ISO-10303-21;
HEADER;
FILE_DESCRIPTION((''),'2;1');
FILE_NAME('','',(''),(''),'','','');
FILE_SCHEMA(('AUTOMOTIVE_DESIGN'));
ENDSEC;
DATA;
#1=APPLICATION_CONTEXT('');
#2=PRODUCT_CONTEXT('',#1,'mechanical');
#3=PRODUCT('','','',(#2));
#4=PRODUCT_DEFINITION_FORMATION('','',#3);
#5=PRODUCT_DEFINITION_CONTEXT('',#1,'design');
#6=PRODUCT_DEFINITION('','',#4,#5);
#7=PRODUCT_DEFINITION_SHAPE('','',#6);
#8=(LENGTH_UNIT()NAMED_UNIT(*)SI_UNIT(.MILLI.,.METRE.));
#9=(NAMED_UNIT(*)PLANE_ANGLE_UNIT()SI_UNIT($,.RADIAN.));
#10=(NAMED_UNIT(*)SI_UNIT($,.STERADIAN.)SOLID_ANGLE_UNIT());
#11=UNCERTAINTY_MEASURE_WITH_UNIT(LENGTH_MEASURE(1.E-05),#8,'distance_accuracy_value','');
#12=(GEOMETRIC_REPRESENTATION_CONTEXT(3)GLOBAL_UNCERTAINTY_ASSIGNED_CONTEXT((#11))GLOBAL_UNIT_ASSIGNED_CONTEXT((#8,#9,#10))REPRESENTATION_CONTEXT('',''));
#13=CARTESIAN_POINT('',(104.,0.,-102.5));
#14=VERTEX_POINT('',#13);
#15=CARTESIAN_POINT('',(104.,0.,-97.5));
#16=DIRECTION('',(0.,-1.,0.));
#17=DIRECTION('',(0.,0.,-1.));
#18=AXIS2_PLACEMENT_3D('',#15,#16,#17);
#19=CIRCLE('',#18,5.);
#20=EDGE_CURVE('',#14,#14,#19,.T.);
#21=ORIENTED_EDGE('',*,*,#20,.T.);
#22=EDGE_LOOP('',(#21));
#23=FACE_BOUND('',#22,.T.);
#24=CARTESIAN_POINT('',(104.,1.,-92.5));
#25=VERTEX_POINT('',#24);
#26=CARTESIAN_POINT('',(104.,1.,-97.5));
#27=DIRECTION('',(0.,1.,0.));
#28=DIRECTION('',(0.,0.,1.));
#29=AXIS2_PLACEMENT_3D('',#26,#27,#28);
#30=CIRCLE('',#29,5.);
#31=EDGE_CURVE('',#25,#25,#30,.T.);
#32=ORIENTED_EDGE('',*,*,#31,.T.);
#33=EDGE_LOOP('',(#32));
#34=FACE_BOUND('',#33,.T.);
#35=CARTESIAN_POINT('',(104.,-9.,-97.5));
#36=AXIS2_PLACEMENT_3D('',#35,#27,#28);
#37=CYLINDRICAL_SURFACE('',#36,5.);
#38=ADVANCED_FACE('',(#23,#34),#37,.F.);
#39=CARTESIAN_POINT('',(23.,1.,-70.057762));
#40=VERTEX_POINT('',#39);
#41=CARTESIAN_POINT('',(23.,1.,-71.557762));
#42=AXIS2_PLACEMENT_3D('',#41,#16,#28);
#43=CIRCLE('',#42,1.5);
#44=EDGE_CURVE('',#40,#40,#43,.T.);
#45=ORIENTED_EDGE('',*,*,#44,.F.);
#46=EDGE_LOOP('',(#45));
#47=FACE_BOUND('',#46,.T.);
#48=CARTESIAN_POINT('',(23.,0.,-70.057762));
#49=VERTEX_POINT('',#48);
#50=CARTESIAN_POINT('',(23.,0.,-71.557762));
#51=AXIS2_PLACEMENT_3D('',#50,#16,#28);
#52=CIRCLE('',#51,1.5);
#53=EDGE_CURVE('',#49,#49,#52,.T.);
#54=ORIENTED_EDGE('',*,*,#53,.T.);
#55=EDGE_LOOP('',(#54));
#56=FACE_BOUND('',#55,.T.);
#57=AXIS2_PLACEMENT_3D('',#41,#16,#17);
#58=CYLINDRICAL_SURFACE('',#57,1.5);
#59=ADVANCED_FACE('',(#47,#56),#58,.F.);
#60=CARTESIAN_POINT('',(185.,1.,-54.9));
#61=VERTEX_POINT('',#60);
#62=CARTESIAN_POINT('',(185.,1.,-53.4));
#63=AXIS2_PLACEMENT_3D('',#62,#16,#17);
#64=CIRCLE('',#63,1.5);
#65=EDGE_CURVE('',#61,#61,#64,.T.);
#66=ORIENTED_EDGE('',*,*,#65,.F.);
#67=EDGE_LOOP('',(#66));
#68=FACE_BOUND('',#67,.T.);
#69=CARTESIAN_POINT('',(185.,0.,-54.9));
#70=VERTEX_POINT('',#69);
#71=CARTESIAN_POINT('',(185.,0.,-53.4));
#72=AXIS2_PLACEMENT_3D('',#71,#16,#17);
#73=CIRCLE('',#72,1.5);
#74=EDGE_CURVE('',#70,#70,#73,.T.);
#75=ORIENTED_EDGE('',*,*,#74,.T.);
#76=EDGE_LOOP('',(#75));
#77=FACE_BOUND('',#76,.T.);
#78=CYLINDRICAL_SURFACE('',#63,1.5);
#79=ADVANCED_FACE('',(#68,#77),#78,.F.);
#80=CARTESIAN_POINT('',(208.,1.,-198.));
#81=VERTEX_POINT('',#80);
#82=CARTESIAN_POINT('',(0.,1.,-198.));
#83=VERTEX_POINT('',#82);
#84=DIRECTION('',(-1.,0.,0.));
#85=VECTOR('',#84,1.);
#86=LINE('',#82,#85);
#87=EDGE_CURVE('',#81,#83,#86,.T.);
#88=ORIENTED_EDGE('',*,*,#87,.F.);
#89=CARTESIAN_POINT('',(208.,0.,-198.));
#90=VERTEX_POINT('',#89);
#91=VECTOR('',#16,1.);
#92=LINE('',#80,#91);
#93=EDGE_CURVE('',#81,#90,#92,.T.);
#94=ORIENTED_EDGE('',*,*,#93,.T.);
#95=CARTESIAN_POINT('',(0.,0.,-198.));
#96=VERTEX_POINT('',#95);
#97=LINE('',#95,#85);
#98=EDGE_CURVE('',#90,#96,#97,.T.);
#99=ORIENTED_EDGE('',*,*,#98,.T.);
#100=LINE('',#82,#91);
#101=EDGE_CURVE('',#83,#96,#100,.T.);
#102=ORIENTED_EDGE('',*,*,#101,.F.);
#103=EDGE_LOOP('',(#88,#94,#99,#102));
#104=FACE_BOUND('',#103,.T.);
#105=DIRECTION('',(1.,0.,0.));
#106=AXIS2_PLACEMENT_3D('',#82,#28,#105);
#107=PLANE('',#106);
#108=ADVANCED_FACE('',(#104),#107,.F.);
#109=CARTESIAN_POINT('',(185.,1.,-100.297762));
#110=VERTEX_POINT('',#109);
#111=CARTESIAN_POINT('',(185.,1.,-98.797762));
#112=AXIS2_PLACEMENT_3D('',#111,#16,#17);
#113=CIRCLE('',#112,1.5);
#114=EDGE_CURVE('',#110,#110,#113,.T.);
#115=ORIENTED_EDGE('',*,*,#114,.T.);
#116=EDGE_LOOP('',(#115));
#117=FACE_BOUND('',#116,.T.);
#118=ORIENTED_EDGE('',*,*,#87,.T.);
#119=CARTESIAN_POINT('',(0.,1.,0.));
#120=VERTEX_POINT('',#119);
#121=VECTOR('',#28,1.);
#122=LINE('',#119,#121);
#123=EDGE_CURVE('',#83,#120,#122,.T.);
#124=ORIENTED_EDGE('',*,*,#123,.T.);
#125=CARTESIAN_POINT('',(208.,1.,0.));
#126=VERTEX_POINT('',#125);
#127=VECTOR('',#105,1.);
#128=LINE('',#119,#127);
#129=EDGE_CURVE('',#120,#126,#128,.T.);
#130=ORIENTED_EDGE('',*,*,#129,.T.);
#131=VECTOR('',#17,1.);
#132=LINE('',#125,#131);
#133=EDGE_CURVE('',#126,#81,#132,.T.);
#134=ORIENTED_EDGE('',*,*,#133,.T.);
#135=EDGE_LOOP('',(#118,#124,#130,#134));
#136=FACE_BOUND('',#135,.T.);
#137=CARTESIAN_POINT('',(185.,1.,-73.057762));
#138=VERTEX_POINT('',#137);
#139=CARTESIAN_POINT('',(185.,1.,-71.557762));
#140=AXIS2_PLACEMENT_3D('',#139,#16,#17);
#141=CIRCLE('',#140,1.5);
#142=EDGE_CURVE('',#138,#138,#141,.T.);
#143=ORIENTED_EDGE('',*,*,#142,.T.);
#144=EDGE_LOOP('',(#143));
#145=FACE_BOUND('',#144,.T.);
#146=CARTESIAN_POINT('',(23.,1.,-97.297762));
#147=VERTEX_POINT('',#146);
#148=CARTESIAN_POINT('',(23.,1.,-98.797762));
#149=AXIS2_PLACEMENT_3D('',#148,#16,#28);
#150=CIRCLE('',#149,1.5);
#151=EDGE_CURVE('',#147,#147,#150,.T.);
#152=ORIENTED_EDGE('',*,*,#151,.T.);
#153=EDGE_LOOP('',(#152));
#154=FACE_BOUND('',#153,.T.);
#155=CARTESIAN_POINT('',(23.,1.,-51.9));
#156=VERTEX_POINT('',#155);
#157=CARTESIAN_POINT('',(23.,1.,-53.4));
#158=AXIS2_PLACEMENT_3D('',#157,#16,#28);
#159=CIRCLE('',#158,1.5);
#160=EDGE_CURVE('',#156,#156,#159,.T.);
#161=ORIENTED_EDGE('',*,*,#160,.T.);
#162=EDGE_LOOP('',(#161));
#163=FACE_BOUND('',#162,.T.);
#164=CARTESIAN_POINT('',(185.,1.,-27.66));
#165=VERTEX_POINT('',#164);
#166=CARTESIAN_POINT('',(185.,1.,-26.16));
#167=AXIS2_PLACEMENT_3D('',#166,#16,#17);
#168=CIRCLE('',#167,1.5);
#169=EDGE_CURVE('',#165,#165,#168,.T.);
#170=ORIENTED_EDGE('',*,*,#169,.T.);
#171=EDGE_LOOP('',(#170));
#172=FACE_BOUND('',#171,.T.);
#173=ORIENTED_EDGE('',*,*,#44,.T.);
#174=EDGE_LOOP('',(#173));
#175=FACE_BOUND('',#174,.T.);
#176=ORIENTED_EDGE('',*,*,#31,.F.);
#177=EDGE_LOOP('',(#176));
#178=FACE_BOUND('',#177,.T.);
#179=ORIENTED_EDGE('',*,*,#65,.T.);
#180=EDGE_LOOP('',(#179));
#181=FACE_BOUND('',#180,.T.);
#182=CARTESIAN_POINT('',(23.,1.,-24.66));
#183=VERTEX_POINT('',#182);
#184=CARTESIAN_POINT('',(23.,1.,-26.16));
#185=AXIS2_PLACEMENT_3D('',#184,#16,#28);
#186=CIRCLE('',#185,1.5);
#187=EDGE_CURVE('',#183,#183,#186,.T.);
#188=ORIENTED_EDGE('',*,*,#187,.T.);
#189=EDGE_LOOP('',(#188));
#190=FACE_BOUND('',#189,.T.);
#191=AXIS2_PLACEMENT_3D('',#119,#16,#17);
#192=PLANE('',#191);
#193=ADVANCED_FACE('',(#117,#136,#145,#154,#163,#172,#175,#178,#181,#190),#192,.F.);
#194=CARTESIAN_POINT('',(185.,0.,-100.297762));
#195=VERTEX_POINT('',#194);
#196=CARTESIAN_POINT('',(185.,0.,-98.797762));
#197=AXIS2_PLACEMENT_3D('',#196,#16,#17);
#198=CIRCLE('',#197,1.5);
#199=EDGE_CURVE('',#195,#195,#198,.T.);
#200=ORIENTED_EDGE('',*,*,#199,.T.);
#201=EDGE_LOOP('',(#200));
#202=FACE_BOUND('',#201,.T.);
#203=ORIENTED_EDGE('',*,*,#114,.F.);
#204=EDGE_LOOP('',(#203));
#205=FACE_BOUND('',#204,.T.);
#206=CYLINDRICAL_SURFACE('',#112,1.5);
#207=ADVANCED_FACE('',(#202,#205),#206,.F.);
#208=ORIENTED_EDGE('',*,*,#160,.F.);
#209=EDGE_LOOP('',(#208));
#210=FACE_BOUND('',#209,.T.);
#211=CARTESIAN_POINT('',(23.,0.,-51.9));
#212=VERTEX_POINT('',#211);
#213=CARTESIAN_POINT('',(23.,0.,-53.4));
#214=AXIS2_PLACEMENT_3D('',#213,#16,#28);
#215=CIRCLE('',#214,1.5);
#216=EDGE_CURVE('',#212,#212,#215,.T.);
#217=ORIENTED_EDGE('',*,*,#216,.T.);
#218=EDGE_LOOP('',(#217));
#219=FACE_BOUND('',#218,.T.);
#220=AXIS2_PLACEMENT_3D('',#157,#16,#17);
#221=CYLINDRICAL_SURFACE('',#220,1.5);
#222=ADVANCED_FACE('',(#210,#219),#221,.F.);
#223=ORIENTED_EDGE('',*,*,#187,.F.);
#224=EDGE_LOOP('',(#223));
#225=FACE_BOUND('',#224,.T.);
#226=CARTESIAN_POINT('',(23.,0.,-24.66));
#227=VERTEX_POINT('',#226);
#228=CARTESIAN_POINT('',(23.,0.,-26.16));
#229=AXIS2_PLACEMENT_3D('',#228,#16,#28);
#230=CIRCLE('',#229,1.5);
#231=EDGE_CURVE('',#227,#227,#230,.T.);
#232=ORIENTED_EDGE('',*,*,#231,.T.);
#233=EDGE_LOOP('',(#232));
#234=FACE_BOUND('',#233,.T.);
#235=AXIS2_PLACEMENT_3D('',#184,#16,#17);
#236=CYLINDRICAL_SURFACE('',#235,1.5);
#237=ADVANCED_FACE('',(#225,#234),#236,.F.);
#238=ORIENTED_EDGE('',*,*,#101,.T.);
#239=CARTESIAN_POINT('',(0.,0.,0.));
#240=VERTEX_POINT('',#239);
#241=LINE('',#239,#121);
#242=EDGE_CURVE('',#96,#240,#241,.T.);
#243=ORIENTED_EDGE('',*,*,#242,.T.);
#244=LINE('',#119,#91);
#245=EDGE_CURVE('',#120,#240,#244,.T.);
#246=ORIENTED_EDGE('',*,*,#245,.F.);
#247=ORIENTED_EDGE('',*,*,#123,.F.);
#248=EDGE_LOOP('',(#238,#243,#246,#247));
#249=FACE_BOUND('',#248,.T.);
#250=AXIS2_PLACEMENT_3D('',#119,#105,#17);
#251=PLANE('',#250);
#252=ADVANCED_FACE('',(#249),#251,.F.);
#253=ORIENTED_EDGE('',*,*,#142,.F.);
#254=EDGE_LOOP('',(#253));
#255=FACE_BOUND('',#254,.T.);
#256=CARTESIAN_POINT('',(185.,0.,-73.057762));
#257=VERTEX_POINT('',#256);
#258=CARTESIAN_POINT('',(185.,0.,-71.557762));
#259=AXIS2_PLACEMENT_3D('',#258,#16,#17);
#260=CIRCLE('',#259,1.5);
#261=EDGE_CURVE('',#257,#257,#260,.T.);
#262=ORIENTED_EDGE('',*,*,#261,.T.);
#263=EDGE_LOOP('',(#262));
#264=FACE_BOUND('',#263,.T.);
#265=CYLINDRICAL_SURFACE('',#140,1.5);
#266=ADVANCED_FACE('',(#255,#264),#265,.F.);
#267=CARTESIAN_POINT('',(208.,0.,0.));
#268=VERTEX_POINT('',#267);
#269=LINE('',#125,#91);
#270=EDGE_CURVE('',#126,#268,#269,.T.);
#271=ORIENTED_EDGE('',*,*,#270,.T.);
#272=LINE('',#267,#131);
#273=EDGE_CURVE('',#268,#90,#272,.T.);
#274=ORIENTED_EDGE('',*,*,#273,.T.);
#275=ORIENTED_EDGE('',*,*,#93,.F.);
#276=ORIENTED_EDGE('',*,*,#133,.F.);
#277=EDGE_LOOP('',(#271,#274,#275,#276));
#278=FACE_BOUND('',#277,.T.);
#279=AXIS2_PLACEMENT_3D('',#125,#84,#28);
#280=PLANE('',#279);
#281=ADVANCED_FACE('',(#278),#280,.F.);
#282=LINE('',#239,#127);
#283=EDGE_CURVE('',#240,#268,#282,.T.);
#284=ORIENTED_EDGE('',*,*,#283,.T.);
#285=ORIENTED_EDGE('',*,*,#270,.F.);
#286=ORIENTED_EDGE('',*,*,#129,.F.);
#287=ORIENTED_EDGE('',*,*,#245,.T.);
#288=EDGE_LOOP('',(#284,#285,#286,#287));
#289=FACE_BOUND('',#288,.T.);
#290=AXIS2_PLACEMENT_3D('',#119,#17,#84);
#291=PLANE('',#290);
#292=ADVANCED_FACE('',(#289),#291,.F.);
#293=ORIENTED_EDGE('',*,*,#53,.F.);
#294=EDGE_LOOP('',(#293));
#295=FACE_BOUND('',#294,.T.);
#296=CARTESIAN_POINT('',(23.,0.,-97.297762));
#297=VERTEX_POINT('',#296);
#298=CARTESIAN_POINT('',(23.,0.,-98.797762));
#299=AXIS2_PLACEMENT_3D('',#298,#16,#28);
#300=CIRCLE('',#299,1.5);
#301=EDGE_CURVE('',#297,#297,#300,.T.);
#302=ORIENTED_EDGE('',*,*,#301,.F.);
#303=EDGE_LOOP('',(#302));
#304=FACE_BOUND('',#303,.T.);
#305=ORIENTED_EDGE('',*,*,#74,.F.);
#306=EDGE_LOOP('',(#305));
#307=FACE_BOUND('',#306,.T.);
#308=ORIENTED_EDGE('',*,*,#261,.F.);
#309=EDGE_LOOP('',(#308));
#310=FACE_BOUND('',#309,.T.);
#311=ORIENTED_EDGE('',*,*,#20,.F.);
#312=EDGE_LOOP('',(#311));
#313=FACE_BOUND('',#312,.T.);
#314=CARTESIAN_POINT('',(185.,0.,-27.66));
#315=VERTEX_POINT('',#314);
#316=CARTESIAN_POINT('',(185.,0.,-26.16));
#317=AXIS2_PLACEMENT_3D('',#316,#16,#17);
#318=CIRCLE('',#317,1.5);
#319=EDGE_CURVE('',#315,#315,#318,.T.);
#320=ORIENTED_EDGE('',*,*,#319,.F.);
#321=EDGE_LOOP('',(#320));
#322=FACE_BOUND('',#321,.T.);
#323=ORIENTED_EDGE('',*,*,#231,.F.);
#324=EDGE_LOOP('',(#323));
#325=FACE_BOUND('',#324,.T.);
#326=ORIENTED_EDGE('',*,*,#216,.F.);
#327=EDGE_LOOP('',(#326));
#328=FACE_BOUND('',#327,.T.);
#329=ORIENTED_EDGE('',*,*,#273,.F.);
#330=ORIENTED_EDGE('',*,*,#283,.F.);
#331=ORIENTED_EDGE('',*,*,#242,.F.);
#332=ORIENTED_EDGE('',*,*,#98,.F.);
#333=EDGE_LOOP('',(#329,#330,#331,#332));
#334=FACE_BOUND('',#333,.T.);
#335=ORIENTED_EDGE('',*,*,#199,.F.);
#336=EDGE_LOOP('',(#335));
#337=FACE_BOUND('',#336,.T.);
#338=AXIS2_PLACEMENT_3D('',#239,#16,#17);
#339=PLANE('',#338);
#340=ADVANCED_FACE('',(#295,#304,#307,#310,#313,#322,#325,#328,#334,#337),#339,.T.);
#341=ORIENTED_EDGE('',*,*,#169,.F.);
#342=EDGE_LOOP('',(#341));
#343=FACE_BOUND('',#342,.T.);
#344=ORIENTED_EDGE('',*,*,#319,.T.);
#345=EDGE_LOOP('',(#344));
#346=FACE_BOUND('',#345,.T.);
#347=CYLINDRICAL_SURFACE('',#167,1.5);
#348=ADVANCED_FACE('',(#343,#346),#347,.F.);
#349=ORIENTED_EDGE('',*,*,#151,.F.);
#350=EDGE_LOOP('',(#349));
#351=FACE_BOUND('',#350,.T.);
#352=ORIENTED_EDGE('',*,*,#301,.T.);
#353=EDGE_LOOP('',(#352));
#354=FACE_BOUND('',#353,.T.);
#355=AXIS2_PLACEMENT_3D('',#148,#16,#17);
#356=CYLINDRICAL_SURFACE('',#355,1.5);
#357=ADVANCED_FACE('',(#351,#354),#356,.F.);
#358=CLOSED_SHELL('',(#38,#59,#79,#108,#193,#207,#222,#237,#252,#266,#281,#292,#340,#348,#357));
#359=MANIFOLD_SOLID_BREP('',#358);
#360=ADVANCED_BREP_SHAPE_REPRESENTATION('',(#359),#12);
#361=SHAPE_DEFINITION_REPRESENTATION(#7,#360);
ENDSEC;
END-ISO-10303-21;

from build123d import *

# Parameters (mm, degrees)
SKETCH1_W           = 208
SKETCH1_H           = 198
BOSS_EXTRUDE1_DEPTH = 1
INPUT_FOR_SPEAKER_R = 5
CUT_EXTRUDE1_DEPTH  = 10
SKETCH4_R           = 1.5
CUT_EXTRUDE2_DEPTH  = 1


with BuildPart() as part:
    # Sketch1 → Boss-Extrude1 (new body)
    with BuildSketch(Plane(origin=(0, 0, 0), x_dir=(1, 0, 0), z_dir=(0, 1, 0))):
        with Locations((104, 99)):
            Rectangle(SKETCH1_W, SKETCH1_H)
    extrude(amount=BOSS_EXTRUDE1_DEPTH)

    # Input for speaker → Cut-Extrude1 (cut)
    with BuildSketch(Plane(origin=(0, 1, 0), x_dir=(1, 0, 0), z_dir=(0, 1, 0))):
        with Locations(Location((104, 97.5, 0), (0, 0, 270))):
            Circle(INPUT_FOR_SPEAKER_R)
    extrude(amount=-CUT_EXTRUDE1_DEPTH, mode=Mode.SUBTRACT)

    # Sketch4 → Cut-Extrude2 (cut)
    with BuildSketch(Plane(origin=(0, 0, 0), x_dir=(-1, 0, 0), z_dir=(0, -1, 0))):
        with Locations(Location((-185, 98.797761971, 0), (0, 0, 90))):
            Circle(SKETCH4_R)
        with Locations(Location((-185, 71.557761971, 0), (0, 0, 90))):
            Circle(SKETCH4_R)
        with Locations(Location((-185, 53.4, 0), (0, 0, 90))):
            Circle(SKETCH4_R)
        with Locations(Location((-185, 26.16, 0), (0, 0, 90))):
            Circle(SKETCH4_R)
        with Locations(Location((-23, 26.16, 0), (0, 0, 270))):
            Circle(SKETCH4_R)
        with Locations(Location((-23, 53.4, 0), (0, 0, 270))):
            Circle(SKETCH4_R)
        with Locations(Location((-23, 71.557761971, 0), (0, 0, 270))):
            Circle(SKETCH4_R)
        with Locations(Location((-23, 98.797761971, 0), (0, 0, 270))):
            Circle(SKETCH4_R)
    extrude(amount=-CUT_EXTRUDE2_DEPTH, mode=Mode.SUBTRACT)


solid = part.part
